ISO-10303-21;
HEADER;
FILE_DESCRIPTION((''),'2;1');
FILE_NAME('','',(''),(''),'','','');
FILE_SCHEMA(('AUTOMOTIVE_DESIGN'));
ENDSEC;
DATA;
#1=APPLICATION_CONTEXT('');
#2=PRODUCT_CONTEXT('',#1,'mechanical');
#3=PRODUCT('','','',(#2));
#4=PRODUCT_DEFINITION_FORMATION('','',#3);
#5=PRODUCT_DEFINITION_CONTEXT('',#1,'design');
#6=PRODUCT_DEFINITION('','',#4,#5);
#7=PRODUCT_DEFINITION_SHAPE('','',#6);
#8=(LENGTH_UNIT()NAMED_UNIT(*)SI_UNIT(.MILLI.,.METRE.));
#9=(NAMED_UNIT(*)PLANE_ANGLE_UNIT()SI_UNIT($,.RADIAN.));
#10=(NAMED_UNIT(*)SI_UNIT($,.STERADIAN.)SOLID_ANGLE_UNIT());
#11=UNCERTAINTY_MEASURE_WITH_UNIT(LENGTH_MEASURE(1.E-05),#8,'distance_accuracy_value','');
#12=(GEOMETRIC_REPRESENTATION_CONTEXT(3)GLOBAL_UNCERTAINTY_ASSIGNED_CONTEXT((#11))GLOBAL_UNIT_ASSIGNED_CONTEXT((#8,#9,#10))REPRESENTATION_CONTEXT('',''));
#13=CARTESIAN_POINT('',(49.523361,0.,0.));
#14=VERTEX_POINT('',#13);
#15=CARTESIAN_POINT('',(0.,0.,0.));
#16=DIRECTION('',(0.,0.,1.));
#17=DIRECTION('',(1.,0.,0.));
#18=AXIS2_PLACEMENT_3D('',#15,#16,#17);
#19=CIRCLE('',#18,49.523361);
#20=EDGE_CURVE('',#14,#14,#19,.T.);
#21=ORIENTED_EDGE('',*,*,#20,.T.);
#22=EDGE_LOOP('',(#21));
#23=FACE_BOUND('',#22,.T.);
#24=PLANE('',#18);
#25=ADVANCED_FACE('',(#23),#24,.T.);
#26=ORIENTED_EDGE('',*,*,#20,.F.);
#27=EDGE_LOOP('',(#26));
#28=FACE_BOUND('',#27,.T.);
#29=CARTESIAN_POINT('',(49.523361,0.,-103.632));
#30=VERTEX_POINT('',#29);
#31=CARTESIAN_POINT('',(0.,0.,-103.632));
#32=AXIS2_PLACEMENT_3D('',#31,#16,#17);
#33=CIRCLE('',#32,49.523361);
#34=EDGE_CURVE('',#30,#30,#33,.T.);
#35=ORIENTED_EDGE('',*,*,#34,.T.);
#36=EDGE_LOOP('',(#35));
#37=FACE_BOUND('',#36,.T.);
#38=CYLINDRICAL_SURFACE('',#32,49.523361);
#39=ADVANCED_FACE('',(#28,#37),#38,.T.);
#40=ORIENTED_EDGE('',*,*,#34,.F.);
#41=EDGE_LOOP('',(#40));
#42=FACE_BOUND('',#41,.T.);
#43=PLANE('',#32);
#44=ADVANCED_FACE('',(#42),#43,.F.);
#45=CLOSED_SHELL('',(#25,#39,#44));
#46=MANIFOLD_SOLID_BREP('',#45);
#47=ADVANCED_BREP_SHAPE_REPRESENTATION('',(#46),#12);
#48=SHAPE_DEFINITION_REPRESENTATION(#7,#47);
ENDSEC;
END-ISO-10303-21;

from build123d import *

# Parameters (mm, degrees)
SKETCH1_R           = 49.523361274
BOSS_EXTRUDE1_DEPTH = 103.632


with BuildPart() as part:
    # Sketch1 → Boss-Extrude1 (new body)
    with BuildSketch(Plane.XY):
        Circle(SKETCH1_R)
    extrude(amount=-BOSS_EXTRUDE1_DEPTH)


solid = part.part
